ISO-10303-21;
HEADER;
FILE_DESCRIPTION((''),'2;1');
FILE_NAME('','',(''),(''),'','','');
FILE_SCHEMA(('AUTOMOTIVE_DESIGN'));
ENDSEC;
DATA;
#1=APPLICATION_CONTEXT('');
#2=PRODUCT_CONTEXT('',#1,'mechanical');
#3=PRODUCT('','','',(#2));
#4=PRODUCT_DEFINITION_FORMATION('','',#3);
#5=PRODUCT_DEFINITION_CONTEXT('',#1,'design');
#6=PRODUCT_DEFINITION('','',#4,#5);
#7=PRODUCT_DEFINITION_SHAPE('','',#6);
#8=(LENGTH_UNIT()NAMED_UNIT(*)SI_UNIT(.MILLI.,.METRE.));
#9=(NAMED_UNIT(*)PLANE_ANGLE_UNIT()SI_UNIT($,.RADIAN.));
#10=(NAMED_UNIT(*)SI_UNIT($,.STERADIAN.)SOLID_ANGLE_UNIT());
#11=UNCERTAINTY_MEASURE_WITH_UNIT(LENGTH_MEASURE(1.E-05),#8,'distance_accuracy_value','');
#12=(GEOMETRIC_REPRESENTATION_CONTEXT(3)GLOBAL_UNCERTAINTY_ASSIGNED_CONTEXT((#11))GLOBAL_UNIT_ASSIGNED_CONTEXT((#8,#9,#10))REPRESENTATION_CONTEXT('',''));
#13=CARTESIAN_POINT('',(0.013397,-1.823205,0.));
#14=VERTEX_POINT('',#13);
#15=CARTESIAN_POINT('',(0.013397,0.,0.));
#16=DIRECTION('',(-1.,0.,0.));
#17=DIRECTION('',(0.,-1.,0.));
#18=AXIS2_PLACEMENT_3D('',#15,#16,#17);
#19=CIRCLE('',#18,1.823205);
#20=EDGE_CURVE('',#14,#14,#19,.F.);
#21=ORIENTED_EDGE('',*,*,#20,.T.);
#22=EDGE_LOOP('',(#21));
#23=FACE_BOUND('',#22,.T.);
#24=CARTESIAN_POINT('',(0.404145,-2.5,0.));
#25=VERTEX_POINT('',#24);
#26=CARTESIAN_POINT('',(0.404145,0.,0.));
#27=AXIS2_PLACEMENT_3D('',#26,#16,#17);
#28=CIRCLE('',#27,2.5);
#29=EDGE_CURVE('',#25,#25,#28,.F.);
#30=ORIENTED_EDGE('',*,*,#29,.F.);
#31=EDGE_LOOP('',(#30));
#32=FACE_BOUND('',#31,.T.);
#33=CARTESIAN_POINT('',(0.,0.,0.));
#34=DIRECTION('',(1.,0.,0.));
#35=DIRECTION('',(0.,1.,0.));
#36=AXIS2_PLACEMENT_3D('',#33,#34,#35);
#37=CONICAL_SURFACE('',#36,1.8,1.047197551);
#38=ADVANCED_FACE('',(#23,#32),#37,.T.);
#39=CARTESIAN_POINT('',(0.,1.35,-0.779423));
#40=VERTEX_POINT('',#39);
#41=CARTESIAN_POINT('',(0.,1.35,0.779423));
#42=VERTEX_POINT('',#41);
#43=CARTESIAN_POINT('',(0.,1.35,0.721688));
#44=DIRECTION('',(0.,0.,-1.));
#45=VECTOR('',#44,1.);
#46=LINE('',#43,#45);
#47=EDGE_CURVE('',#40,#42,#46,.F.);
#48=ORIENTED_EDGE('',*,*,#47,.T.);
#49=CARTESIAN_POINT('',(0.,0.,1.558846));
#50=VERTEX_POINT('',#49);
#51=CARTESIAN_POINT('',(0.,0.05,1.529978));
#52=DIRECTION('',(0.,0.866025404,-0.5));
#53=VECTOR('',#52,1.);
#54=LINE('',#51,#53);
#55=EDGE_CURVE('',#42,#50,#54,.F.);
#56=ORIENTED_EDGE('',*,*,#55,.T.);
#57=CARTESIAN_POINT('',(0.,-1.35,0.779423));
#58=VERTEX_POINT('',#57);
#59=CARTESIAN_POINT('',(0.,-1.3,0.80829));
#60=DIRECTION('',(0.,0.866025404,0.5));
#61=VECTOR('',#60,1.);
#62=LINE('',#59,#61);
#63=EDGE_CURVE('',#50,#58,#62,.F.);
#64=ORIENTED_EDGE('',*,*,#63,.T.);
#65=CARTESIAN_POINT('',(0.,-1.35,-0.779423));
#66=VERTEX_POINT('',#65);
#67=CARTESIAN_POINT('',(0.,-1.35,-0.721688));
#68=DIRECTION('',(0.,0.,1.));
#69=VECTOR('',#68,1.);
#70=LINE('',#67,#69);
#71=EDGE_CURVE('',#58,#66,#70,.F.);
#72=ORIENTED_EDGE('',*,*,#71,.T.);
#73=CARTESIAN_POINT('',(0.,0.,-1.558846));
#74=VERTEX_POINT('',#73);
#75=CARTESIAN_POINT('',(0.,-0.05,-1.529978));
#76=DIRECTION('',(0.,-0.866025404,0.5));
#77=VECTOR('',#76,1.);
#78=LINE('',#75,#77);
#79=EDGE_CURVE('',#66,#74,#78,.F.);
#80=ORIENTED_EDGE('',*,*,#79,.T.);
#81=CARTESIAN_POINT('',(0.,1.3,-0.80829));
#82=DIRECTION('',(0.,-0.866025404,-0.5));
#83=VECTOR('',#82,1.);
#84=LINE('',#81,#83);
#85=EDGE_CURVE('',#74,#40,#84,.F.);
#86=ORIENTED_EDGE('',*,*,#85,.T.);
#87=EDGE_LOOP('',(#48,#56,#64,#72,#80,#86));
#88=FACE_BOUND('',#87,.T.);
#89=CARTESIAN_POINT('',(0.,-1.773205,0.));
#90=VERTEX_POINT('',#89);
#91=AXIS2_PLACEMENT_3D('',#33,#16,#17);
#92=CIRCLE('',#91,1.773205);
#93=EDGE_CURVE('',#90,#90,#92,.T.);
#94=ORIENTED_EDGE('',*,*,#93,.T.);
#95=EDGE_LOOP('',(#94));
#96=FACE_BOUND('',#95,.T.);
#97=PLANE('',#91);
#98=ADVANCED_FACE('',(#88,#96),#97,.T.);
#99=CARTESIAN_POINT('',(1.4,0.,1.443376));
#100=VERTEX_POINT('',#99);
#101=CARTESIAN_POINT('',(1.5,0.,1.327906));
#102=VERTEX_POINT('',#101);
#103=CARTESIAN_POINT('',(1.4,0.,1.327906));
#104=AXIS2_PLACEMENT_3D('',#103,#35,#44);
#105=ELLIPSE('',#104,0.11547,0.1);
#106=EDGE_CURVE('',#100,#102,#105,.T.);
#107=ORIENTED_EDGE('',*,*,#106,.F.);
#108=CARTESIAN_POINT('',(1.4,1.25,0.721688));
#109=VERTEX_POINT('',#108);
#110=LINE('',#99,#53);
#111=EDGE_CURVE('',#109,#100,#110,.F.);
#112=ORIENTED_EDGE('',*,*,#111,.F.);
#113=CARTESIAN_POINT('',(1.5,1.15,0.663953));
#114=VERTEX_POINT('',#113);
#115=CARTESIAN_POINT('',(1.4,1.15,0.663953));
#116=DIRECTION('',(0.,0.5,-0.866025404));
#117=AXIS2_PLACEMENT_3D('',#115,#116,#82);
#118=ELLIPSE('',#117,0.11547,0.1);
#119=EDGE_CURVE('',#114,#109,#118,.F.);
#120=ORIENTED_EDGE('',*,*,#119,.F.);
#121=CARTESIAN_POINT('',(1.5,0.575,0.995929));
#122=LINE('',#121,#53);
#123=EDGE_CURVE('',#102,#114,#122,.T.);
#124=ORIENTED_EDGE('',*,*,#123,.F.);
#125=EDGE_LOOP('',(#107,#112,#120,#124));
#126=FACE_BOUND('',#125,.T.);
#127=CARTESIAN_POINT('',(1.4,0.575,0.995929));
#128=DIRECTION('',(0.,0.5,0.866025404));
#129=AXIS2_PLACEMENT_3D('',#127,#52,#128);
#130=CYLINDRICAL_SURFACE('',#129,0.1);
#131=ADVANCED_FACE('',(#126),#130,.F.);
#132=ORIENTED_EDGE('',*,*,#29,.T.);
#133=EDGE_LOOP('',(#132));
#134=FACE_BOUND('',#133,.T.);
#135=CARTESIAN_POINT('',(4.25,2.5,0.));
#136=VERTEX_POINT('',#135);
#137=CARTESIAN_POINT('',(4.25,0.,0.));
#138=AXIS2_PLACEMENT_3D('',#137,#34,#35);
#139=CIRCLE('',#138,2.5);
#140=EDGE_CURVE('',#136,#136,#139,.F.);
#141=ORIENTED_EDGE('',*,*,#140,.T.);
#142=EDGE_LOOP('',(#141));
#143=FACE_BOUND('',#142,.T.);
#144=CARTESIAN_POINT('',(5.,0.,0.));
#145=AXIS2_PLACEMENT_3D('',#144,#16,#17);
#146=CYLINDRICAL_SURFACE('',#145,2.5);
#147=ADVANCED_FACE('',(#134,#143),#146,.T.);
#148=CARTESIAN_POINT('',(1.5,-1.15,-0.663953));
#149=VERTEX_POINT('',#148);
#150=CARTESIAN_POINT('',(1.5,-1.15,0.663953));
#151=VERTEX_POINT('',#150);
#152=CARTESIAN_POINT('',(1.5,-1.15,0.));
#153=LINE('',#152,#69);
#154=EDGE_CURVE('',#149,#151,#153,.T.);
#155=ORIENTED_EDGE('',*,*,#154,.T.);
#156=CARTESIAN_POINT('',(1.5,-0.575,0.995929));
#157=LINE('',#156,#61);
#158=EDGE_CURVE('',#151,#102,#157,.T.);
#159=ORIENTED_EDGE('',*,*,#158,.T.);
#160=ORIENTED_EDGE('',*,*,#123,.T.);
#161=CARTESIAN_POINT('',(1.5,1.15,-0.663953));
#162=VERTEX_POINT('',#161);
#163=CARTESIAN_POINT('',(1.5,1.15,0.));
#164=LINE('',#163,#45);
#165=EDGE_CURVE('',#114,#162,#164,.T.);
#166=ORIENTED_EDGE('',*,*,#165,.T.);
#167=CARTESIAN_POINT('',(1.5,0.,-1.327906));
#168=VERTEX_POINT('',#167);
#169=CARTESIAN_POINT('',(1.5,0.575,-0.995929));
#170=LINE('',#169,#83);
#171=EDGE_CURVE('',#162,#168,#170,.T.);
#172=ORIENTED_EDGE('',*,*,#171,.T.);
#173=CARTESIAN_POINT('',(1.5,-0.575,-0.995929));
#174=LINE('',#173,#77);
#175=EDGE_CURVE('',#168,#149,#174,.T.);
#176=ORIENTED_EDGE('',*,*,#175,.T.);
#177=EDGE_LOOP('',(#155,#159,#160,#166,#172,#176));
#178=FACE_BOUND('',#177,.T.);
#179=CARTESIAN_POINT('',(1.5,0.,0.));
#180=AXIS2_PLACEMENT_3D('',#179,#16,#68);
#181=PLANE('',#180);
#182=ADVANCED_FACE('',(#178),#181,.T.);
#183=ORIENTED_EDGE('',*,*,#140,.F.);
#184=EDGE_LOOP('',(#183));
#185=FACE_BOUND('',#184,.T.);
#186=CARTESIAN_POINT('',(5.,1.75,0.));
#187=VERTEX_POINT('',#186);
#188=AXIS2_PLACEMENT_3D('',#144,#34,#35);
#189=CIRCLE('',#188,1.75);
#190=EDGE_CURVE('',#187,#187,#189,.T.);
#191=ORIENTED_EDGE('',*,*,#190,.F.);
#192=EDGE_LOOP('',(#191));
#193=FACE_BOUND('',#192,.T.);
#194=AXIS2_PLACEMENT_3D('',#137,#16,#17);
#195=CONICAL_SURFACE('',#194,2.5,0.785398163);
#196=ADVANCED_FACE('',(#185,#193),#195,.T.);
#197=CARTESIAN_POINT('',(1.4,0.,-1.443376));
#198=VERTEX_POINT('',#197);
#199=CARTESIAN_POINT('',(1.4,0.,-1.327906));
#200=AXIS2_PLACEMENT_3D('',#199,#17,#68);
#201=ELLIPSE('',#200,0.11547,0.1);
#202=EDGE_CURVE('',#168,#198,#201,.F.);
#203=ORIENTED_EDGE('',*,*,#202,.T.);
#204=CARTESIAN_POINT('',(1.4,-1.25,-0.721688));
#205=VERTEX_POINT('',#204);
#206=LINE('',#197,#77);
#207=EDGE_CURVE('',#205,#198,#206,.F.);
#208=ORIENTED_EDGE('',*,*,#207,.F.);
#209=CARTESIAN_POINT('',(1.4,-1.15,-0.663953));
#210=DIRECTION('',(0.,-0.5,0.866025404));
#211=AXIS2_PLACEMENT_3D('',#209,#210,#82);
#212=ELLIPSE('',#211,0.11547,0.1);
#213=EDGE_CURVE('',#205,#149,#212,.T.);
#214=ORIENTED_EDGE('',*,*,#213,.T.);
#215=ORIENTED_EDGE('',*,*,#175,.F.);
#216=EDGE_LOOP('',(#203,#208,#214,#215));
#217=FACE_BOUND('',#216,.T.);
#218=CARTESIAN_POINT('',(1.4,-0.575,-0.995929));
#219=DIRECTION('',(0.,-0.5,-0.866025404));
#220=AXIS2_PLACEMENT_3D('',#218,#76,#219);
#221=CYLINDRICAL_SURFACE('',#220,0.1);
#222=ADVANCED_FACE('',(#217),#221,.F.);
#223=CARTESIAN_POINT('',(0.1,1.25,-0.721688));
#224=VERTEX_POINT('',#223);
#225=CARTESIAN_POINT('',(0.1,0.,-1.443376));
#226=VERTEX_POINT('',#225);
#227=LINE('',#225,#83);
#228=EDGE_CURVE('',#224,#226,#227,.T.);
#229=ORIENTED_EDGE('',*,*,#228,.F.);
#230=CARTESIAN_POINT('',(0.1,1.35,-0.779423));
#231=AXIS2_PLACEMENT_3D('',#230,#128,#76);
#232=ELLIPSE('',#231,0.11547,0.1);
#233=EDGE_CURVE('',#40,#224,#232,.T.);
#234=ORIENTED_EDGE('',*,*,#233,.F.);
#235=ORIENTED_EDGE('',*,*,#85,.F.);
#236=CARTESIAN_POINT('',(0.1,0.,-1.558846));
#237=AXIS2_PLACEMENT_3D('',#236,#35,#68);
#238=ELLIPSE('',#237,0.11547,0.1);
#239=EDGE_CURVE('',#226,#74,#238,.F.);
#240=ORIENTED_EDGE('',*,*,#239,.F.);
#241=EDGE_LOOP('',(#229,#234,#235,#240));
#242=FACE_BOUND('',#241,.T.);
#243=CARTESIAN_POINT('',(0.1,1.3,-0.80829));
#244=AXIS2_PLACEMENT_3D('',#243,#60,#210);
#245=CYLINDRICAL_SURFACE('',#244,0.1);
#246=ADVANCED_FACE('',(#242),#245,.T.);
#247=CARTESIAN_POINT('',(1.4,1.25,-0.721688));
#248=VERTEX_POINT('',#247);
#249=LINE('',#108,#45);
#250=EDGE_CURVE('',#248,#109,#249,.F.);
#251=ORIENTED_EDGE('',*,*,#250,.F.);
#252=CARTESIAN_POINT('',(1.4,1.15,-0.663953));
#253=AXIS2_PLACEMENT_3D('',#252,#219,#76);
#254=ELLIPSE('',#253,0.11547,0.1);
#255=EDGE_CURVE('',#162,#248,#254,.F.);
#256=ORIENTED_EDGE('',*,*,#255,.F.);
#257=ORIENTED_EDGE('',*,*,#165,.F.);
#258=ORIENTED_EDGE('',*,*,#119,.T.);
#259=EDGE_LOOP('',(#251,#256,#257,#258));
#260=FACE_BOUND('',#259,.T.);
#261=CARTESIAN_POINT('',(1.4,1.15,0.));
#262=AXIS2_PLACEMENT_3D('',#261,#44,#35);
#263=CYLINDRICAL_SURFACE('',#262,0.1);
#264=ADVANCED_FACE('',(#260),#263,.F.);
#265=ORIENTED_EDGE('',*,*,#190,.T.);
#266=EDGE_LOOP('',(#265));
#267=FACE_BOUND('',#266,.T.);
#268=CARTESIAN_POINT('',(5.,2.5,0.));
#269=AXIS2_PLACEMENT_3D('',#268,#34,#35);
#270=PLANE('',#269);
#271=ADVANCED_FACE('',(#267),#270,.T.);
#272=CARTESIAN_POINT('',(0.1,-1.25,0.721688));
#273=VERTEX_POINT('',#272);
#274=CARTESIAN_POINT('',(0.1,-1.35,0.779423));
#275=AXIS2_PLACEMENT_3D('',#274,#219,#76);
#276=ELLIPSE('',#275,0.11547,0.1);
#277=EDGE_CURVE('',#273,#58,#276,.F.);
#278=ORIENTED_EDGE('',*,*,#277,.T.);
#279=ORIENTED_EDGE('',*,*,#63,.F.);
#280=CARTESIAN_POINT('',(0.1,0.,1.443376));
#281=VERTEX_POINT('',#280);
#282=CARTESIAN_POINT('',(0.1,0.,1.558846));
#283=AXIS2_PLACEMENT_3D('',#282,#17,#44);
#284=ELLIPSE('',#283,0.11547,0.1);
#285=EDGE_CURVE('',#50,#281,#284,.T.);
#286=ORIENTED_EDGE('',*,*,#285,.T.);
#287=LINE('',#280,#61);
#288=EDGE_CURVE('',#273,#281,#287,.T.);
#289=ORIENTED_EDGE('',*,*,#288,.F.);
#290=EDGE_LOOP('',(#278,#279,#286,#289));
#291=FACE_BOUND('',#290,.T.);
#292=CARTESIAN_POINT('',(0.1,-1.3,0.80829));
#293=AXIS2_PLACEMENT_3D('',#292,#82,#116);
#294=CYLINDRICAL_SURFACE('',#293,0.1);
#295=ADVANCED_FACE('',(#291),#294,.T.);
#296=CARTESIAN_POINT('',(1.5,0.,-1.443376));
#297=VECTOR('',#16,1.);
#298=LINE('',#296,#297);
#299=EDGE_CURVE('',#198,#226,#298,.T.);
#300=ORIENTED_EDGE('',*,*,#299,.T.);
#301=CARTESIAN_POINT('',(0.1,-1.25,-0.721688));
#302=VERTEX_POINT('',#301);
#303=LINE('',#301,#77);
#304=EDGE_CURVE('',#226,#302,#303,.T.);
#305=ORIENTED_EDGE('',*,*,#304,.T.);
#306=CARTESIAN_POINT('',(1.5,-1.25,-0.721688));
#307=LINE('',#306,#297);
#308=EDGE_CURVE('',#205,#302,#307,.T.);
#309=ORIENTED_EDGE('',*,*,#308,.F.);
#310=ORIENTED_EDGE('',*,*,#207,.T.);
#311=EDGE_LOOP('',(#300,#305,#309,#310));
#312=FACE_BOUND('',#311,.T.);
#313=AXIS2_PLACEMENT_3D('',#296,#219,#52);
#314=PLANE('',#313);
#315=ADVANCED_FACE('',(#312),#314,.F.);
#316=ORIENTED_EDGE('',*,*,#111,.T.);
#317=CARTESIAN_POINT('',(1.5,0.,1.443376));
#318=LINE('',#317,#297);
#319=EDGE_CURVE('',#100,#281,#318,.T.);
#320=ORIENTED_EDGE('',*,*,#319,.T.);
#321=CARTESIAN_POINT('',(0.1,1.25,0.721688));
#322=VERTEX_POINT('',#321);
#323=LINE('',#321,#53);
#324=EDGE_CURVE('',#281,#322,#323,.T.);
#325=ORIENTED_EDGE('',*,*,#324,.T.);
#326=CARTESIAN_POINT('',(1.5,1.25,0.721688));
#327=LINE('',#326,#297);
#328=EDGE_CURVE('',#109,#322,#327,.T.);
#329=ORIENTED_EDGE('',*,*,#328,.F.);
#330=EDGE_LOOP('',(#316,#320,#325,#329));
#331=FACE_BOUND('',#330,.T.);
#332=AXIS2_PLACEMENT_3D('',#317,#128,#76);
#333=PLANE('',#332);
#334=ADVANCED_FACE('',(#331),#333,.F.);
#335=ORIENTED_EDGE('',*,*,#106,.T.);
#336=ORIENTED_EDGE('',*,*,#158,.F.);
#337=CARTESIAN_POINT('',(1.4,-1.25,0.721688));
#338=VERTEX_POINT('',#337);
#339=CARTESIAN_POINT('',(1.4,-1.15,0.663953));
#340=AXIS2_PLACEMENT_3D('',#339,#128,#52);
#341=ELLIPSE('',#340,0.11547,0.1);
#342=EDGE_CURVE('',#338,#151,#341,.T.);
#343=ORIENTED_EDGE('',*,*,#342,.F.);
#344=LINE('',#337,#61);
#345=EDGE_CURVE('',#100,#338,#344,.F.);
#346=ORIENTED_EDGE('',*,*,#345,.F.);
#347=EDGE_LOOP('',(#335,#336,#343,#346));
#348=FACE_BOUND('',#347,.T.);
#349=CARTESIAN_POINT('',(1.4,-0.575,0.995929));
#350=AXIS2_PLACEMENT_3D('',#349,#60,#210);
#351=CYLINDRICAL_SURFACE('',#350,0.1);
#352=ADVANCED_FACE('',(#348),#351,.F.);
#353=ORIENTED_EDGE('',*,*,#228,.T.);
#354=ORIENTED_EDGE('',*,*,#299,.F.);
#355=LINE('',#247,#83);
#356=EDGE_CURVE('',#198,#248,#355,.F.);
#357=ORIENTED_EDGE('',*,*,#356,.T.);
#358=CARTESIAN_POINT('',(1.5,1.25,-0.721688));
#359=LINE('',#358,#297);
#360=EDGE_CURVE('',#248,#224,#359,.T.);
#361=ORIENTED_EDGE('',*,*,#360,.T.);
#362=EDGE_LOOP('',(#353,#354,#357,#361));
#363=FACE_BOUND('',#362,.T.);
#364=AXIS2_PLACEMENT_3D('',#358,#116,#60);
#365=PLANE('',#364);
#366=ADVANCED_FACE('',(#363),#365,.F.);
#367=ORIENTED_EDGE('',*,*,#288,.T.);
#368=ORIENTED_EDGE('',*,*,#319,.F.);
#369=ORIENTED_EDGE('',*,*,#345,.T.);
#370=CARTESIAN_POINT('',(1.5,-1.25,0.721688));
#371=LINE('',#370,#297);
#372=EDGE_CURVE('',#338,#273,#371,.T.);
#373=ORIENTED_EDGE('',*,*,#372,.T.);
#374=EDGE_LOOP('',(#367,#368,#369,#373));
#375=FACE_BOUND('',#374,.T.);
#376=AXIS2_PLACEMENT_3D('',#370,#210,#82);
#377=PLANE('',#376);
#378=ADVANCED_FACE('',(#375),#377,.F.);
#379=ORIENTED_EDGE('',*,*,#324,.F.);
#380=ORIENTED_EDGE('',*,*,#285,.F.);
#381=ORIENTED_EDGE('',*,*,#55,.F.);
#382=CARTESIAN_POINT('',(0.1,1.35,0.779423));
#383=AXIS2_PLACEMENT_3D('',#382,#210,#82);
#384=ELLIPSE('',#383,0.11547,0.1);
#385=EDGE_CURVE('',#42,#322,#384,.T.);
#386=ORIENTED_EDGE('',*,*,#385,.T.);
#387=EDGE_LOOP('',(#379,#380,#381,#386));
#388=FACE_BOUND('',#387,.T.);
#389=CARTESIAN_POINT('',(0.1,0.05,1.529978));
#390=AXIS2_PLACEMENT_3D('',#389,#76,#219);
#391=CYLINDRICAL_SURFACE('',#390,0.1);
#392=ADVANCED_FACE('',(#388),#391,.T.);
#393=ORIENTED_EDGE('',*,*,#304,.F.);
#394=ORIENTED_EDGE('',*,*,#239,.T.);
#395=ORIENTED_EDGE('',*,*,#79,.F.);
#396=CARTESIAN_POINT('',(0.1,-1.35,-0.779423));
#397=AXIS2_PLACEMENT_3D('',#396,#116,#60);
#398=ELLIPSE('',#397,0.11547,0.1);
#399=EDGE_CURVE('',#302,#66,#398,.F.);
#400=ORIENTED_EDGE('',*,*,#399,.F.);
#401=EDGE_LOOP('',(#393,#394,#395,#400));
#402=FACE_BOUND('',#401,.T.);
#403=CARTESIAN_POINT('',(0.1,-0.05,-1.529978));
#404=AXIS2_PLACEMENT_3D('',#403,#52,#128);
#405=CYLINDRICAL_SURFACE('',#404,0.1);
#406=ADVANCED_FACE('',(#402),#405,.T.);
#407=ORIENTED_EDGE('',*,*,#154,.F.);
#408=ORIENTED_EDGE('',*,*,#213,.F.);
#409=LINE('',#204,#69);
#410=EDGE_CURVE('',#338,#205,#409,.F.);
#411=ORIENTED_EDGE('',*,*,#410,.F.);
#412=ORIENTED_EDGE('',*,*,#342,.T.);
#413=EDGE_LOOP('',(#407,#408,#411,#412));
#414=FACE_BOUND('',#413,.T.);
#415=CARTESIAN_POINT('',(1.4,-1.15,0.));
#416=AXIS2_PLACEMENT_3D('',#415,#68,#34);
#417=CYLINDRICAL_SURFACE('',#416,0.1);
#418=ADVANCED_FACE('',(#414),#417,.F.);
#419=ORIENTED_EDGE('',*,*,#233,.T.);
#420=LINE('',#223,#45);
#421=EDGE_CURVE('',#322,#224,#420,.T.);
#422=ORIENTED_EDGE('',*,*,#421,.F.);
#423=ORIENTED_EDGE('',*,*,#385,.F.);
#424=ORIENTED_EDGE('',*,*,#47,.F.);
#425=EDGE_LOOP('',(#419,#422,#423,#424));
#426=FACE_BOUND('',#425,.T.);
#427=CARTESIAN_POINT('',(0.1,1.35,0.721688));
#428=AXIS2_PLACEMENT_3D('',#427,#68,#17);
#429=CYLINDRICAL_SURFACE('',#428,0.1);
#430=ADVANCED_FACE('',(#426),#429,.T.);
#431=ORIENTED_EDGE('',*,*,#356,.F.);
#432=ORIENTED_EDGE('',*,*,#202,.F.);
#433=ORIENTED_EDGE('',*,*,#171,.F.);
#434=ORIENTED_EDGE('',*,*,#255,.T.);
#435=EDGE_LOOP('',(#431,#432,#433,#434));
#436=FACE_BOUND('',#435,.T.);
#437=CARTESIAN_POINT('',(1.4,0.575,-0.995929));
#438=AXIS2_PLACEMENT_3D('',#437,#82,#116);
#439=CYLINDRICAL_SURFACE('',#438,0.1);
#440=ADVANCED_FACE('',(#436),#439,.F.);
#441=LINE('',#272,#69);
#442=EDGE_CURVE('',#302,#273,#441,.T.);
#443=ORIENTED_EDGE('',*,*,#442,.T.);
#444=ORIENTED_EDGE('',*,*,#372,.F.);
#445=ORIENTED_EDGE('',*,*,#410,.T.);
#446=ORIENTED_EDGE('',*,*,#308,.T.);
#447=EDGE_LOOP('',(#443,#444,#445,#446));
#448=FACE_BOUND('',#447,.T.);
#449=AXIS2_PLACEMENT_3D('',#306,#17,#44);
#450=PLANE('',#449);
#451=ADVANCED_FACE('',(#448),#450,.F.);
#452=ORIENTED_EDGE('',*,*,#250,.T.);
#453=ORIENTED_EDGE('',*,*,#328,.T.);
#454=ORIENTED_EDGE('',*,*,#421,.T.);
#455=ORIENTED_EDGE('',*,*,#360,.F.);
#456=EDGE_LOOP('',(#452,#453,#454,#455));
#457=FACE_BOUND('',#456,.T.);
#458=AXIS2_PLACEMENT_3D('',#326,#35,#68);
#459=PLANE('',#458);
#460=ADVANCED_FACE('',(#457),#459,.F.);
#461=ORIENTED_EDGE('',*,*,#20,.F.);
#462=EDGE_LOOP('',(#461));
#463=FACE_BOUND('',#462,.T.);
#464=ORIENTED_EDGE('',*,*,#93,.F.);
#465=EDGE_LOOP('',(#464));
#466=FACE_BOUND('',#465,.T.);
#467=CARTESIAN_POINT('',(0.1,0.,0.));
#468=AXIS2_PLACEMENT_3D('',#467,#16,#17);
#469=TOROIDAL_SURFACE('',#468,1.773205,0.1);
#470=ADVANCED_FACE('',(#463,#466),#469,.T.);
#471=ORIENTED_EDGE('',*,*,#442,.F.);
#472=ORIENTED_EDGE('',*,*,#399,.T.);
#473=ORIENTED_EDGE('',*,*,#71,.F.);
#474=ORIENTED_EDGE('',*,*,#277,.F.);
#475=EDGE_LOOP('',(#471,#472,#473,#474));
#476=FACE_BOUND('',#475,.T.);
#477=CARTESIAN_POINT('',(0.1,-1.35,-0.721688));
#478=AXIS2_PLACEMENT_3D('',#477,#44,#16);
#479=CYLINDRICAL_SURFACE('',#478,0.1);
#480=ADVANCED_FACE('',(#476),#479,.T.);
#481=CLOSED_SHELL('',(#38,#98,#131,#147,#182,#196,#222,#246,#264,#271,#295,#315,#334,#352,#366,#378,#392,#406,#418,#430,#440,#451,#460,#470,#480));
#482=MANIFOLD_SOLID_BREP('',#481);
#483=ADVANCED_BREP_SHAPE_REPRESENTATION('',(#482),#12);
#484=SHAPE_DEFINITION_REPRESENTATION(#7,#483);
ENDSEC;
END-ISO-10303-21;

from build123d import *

# Parameters (mm, degrees)
SKETCH_1_W          = 5
SKETCH_1_H          = 2.5
CUT_EXTRUDE_1_DEPTH = 1.5
CHAMFER_1_SIZE      = 0.75
CHAMFER_2_SIZE      = 0.7
CHAMFER_2_SIZE2     = 0.404145188
FILLET_1_R          = 0.1


with BuildPart() as part:
    # Эскиз1 → Повернуть1 (revolve)
    with BuildSketch(Plane(origin=(0, 0, 0), x_dir=(-1, 0, 0), z_dir=(0, 0, -1))):
        with Locations((-2.5, 1.25)):
            Rectangle(SKETCH_1_W, SKETCH_1_H)
    revolve(axis=Axis((5, 0, 0), (-1, 0, 0)))

    # Эскиз2 → Вырез-Вытянуть1 (cut)
    with BuildSketch(Plane.ZY):
        Polygon((0.721687836, -1.25), (1.443375673, 0), (0.721687836, 1.25), (-0.721687836, 1.25), (-1.443375673, 0), (-0.721687836, -1.25), align=None)
    extrude(amount=-CUT_EXTRUDE_1_DEPTH, mode=Mode.SUBTRACT)

    # Фаска1
    chamfer_1_edges = [part.edges().sort_by_distance(p)[0] for p in [
        (5, -2.5, 0),
    ]]
    chamfer(chamfer_1_edges, length=CHAMFER_1_SIZE)

    # Фаска2
    chamfer_2_edges = [part.edges().sort_by_distance(p)[0] for p in [
        (0, -2.5, 0),
    ]]
    chamfer_2_side = [part.faces().sort_by_distance(p)[0] for p in [
        (0, -2.429289322, 0),
    ]]
    chamfer(chamfer_2_edges, length=CHAMFER_2_SIZE, length2=CHAMFER_2_SIZE2, reference=chamfer_2_side[0])

    # Скругление1
    fillet_1_edges = [part.edges().sort_by_distance(p)[0] for p in [
        (1.5, -1.25, 0),
        (1.5, -0.625, -1.082531755),
        (1.5, 0.625, -1.082531755),
        (1.5, 1.25, 0),
        (1.5, 0.625, 1.082531755),
        (1.5, -0.625, 1.082531755),
        (0, -1.25, 0),
        (0, -0.625, 1.082531755),
        (0, 0.625, 1.082531755),
        (0, 1.25, 0),
        (0, 0.625, -1.082531755),
        (0, -0.625, -1.082531755),
        (0, -1.8, 0),
    ]]
    fillet(fillet_1_edges, radius=FILLET_1_R)


solid = part.part
